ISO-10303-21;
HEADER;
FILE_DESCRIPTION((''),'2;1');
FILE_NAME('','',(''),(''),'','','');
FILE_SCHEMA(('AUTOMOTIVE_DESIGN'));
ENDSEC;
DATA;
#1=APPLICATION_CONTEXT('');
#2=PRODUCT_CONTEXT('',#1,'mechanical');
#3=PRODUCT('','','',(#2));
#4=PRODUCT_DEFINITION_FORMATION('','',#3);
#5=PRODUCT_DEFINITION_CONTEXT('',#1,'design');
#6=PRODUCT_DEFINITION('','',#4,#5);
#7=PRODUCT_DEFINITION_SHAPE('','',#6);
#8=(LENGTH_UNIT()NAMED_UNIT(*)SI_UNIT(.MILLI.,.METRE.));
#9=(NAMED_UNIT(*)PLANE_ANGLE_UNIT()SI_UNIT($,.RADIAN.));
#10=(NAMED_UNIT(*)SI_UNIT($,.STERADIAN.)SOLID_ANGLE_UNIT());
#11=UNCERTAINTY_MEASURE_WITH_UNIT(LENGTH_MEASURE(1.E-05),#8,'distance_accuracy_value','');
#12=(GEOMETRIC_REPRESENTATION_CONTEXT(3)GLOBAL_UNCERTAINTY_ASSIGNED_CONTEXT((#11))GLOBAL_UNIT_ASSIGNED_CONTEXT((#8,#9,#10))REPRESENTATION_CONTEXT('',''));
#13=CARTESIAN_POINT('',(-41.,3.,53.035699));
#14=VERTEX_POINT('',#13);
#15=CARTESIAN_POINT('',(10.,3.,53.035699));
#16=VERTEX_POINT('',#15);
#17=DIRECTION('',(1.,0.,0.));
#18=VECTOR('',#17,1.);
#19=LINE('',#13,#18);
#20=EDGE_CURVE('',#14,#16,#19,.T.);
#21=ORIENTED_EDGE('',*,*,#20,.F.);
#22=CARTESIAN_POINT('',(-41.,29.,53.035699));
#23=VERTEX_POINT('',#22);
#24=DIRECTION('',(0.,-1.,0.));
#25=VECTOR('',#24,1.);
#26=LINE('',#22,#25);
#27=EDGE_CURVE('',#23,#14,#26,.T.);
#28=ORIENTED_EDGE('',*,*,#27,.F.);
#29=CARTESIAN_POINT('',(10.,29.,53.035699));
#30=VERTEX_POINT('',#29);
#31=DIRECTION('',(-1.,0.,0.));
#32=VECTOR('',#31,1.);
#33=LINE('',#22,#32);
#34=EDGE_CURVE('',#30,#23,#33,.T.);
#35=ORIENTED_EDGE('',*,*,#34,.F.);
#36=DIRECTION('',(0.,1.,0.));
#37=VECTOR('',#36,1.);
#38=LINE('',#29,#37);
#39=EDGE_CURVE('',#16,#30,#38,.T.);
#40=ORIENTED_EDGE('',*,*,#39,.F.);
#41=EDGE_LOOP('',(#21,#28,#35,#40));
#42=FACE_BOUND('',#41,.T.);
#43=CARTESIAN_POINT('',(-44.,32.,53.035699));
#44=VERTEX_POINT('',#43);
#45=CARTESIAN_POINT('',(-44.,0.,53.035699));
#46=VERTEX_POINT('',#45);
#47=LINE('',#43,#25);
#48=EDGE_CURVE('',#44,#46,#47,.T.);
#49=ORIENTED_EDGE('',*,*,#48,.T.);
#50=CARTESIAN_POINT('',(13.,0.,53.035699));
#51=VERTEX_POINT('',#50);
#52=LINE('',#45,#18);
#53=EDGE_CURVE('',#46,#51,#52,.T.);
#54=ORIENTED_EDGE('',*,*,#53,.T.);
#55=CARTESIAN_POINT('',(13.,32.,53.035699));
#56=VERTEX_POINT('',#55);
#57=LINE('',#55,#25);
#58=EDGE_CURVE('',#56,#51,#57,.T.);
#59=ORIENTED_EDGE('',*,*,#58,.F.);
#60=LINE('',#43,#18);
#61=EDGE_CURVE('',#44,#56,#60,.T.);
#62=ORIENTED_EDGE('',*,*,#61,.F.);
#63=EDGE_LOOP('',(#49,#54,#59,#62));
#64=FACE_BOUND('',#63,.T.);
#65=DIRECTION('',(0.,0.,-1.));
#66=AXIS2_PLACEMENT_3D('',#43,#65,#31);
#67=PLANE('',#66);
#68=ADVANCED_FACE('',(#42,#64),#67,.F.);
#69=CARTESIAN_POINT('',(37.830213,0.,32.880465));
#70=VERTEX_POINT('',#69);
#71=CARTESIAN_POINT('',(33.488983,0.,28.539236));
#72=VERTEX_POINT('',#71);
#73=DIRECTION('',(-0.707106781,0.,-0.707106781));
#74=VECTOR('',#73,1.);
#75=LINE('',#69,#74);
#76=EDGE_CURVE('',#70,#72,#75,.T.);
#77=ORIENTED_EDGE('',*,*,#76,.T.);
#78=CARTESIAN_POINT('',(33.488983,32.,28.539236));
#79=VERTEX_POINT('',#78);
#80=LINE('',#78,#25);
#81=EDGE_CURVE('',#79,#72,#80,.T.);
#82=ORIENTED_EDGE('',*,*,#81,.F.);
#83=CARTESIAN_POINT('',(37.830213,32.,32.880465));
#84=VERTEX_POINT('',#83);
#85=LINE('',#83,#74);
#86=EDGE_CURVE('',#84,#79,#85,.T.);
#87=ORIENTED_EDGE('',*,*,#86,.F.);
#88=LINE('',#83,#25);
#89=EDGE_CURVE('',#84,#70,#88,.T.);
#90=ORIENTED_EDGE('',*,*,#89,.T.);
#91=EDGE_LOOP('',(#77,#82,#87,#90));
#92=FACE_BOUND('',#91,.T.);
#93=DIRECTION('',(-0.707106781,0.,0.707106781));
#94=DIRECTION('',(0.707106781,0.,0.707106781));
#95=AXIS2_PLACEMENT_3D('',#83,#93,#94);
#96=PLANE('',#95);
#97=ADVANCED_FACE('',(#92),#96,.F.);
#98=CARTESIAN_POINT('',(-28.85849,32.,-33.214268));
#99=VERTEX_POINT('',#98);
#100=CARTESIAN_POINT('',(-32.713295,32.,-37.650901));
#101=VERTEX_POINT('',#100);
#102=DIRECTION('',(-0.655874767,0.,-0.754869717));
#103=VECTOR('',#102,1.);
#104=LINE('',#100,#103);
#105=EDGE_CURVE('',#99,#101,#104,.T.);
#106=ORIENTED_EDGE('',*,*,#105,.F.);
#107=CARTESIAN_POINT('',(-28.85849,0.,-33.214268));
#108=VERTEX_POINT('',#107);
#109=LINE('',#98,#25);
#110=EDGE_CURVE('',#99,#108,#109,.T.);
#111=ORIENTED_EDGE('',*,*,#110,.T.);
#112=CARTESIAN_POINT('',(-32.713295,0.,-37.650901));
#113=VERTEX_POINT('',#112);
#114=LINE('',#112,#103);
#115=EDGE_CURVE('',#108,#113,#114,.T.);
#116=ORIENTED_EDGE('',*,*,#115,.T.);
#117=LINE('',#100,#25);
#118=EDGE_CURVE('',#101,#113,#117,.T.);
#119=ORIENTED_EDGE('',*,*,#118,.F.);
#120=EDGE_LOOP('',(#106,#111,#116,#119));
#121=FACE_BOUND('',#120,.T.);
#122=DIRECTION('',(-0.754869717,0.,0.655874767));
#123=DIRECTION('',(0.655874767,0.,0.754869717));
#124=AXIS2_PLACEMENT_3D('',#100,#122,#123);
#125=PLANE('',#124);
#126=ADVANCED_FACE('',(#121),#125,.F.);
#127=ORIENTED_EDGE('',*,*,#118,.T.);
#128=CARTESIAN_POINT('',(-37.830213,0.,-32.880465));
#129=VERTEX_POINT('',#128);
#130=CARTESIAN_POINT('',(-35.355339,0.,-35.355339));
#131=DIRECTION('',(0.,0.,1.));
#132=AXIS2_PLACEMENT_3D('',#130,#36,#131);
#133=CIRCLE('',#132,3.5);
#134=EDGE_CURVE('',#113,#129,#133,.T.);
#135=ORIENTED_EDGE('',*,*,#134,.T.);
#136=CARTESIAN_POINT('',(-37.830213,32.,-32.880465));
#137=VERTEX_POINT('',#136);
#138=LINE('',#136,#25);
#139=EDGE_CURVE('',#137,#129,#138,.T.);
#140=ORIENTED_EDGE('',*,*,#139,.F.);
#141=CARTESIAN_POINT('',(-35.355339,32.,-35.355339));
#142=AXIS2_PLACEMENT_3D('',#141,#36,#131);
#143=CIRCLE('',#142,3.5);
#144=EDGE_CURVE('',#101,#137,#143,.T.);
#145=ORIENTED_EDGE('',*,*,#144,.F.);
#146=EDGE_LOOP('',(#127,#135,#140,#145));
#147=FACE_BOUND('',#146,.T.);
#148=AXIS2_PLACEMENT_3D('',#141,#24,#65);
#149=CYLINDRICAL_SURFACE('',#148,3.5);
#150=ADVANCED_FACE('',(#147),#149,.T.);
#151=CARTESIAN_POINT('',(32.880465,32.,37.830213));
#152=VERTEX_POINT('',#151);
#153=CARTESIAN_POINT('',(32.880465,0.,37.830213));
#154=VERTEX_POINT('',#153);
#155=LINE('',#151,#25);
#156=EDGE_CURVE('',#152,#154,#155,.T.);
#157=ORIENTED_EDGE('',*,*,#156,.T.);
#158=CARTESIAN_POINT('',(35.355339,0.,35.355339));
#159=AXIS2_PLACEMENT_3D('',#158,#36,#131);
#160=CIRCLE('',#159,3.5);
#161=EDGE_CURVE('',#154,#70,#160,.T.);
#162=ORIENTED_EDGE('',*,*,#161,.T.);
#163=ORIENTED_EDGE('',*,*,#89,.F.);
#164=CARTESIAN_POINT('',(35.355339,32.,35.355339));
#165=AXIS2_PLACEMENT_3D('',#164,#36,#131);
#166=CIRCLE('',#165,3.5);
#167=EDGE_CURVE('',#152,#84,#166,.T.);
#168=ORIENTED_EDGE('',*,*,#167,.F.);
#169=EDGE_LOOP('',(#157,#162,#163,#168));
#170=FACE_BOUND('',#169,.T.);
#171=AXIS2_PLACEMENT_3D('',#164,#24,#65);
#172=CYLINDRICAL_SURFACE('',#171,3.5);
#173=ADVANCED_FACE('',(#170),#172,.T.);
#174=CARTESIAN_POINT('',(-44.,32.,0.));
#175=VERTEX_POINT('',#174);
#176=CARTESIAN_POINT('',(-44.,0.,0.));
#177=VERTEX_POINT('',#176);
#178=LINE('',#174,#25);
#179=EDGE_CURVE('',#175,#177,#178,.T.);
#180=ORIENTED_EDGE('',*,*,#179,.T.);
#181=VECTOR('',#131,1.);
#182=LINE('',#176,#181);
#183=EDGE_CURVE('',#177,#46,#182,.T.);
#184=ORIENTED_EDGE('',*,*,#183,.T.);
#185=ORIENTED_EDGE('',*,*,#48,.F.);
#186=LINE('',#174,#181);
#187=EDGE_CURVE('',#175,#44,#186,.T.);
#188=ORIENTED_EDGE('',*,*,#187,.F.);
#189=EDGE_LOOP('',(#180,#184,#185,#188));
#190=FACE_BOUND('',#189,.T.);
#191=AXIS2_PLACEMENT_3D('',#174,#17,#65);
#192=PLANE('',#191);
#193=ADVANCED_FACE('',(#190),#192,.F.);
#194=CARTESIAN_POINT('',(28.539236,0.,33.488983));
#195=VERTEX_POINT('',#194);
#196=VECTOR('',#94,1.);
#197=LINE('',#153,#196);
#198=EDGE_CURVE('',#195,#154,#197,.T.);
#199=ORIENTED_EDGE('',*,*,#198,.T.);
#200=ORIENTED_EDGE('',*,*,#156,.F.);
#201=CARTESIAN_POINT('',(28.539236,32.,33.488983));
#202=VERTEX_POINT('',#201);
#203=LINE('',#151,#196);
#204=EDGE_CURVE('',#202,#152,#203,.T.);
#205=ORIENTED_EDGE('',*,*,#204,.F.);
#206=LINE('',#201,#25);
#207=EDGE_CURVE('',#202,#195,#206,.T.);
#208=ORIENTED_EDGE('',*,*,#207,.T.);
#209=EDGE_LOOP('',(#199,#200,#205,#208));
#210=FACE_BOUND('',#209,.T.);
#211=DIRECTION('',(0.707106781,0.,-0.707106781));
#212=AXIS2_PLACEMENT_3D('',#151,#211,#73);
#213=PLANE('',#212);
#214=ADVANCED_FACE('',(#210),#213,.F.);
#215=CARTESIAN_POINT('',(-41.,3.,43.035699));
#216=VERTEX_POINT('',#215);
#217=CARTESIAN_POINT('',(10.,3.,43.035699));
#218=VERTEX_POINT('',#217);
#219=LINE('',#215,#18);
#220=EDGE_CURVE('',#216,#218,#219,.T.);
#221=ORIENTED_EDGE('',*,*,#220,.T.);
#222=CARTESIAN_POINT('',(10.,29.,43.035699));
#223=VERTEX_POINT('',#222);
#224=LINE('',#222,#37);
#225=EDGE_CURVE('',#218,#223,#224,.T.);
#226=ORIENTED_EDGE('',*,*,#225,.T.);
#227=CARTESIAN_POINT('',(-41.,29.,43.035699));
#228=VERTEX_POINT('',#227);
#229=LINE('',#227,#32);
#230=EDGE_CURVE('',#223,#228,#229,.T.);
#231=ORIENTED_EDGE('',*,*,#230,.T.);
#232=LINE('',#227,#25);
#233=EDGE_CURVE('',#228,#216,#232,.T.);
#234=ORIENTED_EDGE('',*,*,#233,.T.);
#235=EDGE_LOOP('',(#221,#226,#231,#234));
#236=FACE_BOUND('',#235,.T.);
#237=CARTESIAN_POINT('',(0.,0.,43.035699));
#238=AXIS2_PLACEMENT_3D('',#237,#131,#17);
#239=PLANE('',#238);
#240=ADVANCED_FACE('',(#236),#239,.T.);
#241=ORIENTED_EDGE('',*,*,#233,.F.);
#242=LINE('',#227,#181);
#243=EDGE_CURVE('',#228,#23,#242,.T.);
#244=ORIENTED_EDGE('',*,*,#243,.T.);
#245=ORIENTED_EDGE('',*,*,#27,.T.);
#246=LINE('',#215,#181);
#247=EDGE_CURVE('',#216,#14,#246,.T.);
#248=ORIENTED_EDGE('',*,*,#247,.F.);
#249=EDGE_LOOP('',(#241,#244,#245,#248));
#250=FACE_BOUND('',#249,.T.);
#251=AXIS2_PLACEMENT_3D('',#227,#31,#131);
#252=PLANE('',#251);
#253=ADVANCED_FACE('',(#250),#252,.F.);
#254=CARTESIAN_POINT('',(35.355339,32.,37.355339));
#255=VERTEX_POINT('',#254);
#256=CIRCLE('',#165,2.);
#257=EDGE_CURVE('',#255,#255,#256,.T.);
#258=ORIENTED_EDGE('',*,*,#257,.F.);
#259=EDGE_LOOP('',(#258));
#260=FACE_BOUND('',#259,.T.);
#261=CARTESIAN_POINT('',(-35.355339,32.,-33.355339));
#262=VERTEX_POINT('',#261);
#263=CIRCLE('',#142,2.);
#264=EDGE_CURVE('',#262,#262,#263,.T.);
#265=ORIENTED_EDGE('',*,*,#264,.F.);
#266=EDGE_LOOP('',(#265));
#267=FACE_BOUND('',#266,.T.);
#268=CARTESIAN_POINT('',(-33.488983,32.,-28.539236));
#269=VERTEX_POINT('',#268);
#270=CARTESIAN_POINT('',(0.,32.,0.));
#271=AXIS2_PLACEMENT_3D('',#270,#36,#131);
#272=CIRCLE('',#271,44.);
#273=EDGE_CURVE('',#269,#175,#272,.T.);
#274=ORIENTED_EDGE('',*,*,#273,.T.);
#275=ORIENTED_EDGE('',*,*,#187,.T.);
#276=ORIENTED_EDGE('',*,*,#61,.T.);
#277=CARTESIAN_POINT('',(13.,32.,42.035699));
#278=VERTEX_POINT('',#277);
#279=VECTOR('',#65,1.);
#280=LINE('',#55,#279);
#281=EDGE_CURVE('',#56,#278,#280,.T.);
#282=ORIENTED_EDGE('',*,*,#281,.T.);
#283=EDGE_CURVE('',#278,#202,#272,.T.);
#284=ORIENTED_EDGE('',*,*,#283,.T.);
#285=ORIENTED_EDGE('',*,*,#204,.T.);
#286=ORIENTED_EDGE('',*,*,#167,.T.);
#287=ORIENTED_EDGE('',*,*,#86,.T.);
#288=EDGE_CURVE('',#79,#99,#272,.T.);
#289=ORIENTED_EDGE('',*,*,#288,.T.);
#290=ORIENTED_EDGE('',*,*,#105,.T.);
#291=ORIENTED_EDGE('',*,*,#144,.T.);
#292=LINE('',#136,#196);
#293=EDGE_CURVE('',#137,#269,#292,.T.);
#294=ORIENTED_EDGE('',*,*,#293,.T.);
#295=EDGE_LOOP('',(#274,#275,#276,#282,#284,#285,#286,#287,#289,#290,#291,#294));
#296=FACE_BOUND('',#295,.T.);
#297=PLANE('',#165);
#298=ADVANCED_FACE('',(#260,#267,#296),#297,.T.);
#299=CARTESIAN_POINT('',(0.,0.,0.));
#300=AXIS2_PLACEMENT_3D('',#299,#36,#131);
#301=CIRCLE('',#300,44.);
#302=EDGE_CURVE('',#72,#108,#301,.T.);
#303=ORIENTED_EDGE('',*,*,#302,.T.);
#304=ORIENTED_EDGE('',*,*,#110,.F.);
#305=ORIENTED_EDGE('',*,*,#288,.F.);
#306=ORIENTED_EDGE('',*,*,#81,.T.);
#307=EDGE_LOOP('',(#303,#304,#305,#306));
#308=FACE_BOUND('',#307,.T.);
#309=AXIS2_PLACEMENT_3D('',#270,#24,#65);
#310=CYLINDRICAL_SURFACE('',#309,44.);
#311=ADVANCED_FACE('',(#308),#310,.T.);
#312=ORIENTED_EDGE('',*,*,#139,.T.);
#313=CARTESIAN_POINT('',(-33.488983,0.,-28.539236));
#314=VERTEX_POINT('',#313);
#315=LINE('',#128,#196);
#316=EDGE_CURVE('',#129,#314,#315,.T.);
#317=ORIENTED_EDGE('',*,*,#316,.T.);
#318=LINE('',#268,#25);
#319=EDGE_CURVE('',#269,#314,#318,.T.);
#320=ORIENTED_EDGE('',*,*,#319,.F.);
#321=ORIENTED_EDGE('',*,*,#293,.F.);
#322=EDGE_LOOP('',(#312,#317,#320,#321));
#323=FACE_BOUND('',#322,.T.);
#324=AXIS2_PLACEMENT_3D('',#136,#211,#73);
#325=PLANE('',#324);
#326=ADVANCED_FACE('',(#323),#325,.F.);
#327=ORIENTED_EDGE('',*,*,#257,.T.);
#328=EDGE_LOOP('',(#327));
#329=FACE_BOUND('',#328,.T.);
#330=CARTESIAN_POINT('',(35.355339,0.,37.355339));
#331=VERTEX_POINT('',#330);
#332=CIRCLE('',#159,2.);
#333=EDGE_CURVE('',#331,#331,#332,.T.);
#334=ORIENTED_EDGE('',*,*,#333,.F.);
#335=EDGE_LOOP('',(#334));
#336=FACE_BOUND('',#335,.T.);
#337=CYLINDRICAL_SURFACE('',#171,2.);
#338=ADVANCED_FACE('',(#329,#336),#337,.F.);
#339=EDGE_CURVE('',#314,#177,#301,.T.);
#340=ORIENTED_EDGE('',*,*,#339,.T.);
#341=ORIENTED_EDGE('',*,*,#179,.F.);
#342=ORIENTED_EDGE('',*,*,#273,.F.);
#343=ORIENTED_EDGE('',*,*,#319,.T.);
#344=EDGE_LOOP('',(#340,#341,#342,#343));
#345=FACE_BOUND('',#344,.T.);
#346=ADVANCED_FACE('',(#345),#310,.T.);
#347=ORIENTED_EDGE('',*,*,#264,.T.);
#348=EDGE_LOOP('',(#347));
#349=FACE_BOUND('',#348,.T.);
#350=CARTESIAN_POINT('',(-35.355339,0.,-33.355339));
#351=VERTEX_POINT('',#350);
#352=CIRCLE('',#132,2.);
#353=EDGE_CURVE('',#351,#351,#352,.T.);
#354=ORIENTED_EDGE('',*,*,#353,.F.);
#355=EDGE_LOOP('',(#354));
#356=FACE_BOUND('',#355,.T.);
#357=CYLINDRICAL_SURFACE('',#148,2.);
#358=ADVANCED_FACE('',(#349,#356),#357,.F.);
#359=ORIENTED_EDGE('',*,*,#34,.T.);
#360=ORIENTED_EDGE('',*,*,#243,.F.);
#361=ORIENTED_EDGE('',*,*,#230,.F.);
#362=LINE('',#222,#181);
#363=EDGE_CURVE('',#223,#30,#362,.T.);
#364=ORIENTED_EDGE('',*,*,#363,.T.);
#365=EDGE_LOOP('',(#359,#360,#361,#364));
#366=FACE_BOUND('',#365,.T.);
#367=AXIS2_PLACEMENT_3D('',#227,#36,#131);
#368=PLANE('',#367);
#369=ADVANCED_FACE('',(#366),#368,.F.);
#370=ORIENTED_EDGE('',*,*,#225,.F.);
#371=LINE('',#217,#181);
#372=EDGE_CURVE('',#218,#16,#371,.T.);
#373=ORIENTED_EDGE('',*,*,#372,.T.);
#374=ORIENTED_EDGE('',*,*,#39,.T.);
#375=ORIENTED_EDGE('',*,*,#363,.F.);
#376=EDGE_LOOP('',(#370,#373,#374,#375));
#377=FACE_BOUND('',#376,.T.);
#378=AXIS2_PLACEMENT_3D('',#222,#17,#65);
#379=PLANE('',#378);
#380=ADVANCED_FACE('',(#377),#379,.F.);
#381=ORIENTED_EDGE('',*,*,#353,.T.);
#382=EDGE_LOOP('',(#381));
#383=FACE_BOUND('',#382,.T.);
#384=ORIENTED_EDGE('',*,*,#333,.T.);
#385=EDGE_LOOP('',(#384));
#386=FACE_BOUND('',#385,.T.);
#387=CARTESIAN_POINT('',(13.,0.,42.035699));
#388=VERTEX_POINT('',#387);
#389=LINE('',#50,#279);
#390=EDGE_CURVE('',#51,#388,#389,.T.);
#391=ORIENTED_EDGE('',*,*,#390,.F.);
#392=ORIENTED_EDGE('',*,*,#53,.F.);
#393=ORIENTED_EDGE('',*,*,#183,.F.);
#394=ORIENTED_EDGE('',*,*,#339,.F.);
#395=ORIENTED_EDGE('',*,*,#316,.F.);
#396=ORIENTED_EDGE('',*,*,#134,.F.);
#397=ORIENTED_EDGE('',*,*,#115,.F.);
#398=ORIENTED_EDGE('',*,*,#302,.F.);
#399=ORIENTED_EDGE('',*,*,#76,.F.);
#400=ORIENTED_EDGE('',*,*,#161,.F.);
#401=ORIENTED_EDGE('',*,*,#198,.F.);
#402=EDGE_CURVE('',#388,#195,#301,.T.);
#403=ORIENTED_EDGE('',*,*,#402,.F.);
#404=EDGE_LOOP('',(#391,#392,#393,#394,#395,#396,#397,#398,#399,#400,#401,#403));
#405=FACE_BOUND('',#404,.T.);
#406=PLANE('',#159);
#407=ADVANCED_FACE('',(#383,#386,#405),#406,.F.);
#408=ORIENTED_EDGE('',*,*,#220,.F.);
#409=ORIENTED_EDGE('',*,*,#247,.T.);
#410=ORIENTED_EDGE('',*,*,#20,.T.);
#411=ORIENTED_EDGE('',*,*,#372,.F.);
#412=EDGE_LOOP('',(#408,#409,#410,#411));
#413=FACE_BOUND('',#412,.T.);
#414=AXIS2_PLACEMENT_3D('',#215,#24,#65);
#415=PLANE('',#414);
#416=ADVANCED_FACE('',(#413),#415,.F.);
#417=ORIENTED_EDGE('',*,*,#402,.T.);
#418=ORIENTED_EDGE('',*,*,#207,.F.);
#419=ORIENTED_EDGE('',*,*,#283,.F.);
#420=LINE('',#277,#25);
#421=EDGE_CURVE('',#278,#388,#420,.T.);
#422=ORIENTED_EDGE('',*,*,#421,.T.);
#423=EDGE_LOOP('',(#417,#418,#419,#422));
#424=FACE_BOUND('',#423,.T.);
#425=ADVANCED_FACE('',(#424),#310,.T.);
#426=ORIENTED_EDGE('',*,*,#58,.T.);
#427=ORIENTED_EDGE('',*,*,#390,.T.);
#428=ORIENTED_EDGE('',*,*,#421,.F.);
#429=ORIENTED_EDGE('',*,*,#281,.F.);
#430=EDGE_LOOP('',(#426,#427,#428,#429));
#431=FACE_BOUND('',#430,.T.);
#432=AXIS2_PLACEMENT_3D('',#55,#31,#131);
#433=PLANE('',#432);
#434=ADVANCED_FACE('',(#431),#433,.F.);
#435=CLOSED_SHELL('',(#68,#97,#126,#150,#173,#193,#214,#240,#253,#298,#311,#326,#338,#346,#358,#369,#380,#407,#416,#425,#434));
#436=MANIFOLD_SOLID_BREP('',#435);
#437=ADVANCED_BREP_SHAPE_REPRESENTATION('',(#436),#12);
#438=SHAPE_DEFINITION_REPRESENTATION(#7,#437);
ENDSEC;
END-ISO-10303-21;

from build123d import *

# Parameters (mm, degrees)
CROQUIS1_R              = 2
SALIENTE_EXTRUIR1_DEPTH = 32
CROQUIS2_W              = 51
CROQUIS2_H              = 26
CORTAR_EXTRUIR1_DEPTH   = 10


with BuildPart() as part:
    # Croquis1 → Saliente-Extruir1 (new body)
    with BuildSketch(Plane(origin=(0, 0, 0), x_dir=(1, 0, 0), z_dir=(0, 1, 0))):
        with BuildLine():
            Line((-37.830212793, 32.880465325), (-33.488983426, 28.539235958))
            ThreePointArc((-33.488983426, 28.539235958), (-41.28871075, 15.206655274), (-44, 0))
            Line((-44, 0), (-44, -53.035699114))
            Line((-44, -53.035699114), (13, -53.035699114))
            Line((13, -53.035699114), (13, -42.035699114))
            ThreePointArc((13, -42.035699114), (21.204683875, -38.553357594), (28.539235958, -33.488983426))
            Line((28.539235958, -33.488983426), (32.880465325, -37.830212793))
            ThreePointArc((32.880465325, -37.830212793), (37.830212793, -37.830212793), (37.830212793, -32.880465325))
            Line((37.830212793, -32.880465325), (33.488983426, -28.539235958))
            ThreePointArc((33.488983426, -28.539235958), (30.963432731, 31.261251311), (-28.858489769, 33.214267541))
            Line((-28.858489769, 33.214267541), (-32.71329505, 37.650900745))
            ThreePointArc((-32.71329505, 37.650900745), (-37.742020856, 37.915368356), (-37.830212793, 32.880465325))
        make_face()
        with Locations(Location((-35.355339059, 35.355339059, 0), (0, 0, 270))):
            Circle(CROQUIS1_R, mode=Mode.SUBTRACT)
        with Locations(Location((35.355339059, -35.355339059, 0), (0, 0, 270))):
            Circle(CROQUIS1_R, mode=Mode.SUBTRACT)
    extrude(amount=SALIENTE_EXTRUIR1_DEPTH)

    # Croquis2 → Cortar-Extruir1 (cut)
    with BuildSketch(Plane.XY.offset(53.035699114)):
        with Locations((-15.5, 16)):
            Rectangle(CROQUIS2_W, CROQUIS2_H)
    extrude(amount=-CORTAR_EXTRUIR1_DEPTH, mode=Mode.SUBTRACT)


solid = part.part
